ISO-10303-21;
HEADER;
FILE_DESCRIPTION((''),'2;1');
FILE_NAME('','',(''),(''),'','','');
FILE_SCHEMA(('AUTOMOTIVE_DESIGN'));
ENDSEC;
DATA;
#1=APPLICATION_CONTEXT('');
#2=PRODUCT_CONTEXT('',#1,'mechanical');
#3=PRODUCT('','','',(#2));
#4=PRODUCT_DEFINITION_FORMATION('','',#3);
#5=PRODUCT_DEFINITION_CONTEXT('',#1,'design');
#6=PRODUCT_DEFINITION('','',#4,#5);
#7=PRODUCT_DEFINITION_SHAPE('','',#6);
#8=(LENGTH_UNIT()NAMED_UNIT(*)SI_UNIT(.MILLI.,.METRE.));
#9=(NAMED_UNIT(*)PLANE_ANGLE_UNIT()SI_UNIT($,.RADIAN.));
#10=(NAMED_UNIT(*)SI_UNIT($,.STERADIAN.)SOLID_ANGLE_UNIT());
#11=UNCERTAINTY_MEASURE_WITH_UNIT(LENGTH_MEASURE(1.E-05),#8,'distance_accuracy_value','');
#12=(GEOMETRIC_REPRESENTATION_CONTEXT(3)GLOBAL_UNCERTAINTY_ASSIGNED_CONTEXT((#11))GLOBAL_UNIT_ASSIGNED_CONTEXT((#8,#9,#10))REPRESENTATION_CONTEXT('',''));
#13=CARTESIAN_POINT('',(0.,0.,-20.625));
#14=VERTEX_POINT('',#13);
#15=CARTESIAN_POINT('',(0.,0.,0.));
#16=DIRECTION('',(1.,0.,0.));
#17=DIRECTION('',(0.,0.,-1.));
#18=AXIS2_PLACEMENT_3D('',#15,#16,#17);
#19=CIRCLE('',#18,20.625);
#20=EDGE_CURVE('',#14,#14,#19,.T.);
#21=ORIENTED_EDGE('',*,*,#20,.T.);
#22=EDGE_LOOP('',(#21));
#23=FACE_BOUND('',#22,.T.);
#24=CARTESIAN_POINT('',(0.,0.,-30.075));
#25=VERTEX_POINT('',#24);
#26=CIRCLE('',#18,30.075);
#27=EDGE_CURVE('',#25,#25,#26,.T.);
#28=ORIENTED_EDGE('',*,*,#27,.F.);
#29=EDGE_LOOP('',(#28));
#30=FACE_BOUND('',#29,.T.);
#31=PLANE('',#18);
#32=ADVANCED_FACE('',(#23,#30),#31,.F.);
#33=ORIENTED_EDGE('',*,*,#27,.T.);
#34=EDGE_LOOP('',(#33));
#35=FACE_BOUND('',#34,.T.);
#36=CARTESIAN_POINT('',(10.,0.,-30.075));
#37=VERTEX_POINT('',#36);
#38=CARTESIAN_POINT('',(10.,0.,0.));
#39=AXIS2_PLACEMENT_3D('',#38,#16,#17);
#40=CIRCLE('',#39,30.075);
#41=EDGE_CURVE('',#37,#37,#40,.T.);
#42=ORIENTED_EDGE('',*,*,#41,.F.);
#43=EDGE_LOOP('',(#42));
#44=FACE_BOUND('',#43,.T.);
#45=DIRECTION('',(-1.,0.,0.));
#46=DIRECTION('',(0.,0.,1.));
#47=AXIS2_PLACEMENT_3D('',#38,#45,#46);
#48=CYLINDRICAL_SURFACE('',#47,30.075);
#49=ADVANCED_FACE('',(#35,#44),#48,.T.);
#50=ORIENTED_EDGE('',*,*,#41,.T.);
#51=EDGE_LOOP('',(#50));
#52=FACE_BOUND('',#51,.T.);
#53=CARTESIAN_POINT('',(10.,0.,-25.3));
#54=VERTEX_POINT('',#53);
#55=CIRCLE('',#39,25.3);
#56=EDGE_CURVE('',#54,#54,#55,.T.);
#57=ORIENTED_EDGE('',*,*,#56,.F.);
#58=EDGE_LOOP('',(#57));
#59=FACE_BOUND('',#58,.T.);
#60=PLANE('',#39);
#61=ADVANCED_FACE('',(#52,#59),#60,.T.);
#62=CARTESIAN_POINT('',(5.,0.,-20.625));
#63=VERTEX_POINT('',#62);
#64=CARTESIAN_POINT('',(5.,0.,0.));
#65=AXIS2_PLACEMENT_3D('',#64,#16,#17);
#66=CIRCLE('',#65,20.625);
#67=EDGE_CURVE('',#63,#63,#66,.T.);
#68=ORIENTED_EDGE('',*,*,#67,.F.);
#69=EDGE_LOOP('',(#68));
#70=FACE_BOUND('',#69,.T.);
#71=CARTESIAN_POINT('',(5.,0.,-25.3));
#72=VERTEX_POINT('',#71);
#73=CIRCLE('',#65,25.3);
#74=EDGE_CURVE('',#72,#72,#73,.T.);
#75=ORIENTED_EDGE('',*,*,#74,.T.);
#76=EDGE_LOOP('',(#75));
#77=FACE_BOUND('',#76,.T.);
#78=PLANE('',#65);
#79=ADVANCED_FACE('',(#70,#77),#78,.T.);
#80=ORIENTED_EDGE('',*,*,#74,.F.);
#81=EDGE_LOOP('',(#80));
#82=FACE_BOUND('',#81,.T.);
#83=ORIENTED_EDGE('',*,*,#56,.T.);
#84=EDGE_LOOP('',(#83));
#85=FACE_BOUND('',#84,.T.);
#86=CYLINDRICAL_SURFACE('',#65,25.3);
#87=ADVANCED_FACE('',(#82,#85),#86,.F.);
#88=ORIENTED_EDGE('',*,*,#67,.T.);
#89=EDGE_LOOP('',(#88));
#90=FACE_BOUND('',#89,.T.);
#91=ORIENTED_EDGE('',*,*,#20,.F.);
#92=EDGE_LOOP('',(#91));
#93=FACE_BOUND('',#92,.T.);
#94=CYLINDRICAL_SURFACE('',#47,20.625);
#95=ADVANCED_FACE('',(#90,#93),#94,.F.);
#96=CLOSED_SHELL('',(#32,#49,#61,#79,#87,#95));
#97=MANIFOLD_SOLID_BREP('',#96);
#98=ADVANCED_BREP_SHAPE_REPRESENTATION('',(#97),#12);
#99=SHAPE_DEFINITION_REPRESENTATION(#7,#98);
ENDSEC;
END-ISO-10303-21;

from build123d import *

# Parameters (mm, degrees)
SKETCH1_R           = 30.075
SKETCH1_R_2         = 20.625
BOSS_EXTRUDE1_DEPTH = 10
SKETCH2_R           = 25.3
CUT_EXTRUDE1_DEPTH  = 5


with BuildPart() as part:
    # Sketch1 → Boss-Extrude1 (new body)
    with BuildSketch(Plane(origin=(0, 0, 0), x_dir=(0, 0, -1), z_dir=(1, 0, 0))):
        Circle(SKETCH1_R)
        Circle(SKETCH1_R_2, mode=Mode.SUBTRACT)
    extrude(amount=BOSS_EXTRUDE1_DEPTH)

    # Sketch2 → Cut-Extrude1 (cut)
    with BuildSketch(Plane(origin=(10, 0, 0), x_dir=(0, 0, -1), z_dir=(1, 0, 0))):
        Circle(SKETCH2_R)
    extrude(amount=-CUT_EXTRUDE1_DEPTH, mode=Mode.SUBTRACT)


solid = part.part
